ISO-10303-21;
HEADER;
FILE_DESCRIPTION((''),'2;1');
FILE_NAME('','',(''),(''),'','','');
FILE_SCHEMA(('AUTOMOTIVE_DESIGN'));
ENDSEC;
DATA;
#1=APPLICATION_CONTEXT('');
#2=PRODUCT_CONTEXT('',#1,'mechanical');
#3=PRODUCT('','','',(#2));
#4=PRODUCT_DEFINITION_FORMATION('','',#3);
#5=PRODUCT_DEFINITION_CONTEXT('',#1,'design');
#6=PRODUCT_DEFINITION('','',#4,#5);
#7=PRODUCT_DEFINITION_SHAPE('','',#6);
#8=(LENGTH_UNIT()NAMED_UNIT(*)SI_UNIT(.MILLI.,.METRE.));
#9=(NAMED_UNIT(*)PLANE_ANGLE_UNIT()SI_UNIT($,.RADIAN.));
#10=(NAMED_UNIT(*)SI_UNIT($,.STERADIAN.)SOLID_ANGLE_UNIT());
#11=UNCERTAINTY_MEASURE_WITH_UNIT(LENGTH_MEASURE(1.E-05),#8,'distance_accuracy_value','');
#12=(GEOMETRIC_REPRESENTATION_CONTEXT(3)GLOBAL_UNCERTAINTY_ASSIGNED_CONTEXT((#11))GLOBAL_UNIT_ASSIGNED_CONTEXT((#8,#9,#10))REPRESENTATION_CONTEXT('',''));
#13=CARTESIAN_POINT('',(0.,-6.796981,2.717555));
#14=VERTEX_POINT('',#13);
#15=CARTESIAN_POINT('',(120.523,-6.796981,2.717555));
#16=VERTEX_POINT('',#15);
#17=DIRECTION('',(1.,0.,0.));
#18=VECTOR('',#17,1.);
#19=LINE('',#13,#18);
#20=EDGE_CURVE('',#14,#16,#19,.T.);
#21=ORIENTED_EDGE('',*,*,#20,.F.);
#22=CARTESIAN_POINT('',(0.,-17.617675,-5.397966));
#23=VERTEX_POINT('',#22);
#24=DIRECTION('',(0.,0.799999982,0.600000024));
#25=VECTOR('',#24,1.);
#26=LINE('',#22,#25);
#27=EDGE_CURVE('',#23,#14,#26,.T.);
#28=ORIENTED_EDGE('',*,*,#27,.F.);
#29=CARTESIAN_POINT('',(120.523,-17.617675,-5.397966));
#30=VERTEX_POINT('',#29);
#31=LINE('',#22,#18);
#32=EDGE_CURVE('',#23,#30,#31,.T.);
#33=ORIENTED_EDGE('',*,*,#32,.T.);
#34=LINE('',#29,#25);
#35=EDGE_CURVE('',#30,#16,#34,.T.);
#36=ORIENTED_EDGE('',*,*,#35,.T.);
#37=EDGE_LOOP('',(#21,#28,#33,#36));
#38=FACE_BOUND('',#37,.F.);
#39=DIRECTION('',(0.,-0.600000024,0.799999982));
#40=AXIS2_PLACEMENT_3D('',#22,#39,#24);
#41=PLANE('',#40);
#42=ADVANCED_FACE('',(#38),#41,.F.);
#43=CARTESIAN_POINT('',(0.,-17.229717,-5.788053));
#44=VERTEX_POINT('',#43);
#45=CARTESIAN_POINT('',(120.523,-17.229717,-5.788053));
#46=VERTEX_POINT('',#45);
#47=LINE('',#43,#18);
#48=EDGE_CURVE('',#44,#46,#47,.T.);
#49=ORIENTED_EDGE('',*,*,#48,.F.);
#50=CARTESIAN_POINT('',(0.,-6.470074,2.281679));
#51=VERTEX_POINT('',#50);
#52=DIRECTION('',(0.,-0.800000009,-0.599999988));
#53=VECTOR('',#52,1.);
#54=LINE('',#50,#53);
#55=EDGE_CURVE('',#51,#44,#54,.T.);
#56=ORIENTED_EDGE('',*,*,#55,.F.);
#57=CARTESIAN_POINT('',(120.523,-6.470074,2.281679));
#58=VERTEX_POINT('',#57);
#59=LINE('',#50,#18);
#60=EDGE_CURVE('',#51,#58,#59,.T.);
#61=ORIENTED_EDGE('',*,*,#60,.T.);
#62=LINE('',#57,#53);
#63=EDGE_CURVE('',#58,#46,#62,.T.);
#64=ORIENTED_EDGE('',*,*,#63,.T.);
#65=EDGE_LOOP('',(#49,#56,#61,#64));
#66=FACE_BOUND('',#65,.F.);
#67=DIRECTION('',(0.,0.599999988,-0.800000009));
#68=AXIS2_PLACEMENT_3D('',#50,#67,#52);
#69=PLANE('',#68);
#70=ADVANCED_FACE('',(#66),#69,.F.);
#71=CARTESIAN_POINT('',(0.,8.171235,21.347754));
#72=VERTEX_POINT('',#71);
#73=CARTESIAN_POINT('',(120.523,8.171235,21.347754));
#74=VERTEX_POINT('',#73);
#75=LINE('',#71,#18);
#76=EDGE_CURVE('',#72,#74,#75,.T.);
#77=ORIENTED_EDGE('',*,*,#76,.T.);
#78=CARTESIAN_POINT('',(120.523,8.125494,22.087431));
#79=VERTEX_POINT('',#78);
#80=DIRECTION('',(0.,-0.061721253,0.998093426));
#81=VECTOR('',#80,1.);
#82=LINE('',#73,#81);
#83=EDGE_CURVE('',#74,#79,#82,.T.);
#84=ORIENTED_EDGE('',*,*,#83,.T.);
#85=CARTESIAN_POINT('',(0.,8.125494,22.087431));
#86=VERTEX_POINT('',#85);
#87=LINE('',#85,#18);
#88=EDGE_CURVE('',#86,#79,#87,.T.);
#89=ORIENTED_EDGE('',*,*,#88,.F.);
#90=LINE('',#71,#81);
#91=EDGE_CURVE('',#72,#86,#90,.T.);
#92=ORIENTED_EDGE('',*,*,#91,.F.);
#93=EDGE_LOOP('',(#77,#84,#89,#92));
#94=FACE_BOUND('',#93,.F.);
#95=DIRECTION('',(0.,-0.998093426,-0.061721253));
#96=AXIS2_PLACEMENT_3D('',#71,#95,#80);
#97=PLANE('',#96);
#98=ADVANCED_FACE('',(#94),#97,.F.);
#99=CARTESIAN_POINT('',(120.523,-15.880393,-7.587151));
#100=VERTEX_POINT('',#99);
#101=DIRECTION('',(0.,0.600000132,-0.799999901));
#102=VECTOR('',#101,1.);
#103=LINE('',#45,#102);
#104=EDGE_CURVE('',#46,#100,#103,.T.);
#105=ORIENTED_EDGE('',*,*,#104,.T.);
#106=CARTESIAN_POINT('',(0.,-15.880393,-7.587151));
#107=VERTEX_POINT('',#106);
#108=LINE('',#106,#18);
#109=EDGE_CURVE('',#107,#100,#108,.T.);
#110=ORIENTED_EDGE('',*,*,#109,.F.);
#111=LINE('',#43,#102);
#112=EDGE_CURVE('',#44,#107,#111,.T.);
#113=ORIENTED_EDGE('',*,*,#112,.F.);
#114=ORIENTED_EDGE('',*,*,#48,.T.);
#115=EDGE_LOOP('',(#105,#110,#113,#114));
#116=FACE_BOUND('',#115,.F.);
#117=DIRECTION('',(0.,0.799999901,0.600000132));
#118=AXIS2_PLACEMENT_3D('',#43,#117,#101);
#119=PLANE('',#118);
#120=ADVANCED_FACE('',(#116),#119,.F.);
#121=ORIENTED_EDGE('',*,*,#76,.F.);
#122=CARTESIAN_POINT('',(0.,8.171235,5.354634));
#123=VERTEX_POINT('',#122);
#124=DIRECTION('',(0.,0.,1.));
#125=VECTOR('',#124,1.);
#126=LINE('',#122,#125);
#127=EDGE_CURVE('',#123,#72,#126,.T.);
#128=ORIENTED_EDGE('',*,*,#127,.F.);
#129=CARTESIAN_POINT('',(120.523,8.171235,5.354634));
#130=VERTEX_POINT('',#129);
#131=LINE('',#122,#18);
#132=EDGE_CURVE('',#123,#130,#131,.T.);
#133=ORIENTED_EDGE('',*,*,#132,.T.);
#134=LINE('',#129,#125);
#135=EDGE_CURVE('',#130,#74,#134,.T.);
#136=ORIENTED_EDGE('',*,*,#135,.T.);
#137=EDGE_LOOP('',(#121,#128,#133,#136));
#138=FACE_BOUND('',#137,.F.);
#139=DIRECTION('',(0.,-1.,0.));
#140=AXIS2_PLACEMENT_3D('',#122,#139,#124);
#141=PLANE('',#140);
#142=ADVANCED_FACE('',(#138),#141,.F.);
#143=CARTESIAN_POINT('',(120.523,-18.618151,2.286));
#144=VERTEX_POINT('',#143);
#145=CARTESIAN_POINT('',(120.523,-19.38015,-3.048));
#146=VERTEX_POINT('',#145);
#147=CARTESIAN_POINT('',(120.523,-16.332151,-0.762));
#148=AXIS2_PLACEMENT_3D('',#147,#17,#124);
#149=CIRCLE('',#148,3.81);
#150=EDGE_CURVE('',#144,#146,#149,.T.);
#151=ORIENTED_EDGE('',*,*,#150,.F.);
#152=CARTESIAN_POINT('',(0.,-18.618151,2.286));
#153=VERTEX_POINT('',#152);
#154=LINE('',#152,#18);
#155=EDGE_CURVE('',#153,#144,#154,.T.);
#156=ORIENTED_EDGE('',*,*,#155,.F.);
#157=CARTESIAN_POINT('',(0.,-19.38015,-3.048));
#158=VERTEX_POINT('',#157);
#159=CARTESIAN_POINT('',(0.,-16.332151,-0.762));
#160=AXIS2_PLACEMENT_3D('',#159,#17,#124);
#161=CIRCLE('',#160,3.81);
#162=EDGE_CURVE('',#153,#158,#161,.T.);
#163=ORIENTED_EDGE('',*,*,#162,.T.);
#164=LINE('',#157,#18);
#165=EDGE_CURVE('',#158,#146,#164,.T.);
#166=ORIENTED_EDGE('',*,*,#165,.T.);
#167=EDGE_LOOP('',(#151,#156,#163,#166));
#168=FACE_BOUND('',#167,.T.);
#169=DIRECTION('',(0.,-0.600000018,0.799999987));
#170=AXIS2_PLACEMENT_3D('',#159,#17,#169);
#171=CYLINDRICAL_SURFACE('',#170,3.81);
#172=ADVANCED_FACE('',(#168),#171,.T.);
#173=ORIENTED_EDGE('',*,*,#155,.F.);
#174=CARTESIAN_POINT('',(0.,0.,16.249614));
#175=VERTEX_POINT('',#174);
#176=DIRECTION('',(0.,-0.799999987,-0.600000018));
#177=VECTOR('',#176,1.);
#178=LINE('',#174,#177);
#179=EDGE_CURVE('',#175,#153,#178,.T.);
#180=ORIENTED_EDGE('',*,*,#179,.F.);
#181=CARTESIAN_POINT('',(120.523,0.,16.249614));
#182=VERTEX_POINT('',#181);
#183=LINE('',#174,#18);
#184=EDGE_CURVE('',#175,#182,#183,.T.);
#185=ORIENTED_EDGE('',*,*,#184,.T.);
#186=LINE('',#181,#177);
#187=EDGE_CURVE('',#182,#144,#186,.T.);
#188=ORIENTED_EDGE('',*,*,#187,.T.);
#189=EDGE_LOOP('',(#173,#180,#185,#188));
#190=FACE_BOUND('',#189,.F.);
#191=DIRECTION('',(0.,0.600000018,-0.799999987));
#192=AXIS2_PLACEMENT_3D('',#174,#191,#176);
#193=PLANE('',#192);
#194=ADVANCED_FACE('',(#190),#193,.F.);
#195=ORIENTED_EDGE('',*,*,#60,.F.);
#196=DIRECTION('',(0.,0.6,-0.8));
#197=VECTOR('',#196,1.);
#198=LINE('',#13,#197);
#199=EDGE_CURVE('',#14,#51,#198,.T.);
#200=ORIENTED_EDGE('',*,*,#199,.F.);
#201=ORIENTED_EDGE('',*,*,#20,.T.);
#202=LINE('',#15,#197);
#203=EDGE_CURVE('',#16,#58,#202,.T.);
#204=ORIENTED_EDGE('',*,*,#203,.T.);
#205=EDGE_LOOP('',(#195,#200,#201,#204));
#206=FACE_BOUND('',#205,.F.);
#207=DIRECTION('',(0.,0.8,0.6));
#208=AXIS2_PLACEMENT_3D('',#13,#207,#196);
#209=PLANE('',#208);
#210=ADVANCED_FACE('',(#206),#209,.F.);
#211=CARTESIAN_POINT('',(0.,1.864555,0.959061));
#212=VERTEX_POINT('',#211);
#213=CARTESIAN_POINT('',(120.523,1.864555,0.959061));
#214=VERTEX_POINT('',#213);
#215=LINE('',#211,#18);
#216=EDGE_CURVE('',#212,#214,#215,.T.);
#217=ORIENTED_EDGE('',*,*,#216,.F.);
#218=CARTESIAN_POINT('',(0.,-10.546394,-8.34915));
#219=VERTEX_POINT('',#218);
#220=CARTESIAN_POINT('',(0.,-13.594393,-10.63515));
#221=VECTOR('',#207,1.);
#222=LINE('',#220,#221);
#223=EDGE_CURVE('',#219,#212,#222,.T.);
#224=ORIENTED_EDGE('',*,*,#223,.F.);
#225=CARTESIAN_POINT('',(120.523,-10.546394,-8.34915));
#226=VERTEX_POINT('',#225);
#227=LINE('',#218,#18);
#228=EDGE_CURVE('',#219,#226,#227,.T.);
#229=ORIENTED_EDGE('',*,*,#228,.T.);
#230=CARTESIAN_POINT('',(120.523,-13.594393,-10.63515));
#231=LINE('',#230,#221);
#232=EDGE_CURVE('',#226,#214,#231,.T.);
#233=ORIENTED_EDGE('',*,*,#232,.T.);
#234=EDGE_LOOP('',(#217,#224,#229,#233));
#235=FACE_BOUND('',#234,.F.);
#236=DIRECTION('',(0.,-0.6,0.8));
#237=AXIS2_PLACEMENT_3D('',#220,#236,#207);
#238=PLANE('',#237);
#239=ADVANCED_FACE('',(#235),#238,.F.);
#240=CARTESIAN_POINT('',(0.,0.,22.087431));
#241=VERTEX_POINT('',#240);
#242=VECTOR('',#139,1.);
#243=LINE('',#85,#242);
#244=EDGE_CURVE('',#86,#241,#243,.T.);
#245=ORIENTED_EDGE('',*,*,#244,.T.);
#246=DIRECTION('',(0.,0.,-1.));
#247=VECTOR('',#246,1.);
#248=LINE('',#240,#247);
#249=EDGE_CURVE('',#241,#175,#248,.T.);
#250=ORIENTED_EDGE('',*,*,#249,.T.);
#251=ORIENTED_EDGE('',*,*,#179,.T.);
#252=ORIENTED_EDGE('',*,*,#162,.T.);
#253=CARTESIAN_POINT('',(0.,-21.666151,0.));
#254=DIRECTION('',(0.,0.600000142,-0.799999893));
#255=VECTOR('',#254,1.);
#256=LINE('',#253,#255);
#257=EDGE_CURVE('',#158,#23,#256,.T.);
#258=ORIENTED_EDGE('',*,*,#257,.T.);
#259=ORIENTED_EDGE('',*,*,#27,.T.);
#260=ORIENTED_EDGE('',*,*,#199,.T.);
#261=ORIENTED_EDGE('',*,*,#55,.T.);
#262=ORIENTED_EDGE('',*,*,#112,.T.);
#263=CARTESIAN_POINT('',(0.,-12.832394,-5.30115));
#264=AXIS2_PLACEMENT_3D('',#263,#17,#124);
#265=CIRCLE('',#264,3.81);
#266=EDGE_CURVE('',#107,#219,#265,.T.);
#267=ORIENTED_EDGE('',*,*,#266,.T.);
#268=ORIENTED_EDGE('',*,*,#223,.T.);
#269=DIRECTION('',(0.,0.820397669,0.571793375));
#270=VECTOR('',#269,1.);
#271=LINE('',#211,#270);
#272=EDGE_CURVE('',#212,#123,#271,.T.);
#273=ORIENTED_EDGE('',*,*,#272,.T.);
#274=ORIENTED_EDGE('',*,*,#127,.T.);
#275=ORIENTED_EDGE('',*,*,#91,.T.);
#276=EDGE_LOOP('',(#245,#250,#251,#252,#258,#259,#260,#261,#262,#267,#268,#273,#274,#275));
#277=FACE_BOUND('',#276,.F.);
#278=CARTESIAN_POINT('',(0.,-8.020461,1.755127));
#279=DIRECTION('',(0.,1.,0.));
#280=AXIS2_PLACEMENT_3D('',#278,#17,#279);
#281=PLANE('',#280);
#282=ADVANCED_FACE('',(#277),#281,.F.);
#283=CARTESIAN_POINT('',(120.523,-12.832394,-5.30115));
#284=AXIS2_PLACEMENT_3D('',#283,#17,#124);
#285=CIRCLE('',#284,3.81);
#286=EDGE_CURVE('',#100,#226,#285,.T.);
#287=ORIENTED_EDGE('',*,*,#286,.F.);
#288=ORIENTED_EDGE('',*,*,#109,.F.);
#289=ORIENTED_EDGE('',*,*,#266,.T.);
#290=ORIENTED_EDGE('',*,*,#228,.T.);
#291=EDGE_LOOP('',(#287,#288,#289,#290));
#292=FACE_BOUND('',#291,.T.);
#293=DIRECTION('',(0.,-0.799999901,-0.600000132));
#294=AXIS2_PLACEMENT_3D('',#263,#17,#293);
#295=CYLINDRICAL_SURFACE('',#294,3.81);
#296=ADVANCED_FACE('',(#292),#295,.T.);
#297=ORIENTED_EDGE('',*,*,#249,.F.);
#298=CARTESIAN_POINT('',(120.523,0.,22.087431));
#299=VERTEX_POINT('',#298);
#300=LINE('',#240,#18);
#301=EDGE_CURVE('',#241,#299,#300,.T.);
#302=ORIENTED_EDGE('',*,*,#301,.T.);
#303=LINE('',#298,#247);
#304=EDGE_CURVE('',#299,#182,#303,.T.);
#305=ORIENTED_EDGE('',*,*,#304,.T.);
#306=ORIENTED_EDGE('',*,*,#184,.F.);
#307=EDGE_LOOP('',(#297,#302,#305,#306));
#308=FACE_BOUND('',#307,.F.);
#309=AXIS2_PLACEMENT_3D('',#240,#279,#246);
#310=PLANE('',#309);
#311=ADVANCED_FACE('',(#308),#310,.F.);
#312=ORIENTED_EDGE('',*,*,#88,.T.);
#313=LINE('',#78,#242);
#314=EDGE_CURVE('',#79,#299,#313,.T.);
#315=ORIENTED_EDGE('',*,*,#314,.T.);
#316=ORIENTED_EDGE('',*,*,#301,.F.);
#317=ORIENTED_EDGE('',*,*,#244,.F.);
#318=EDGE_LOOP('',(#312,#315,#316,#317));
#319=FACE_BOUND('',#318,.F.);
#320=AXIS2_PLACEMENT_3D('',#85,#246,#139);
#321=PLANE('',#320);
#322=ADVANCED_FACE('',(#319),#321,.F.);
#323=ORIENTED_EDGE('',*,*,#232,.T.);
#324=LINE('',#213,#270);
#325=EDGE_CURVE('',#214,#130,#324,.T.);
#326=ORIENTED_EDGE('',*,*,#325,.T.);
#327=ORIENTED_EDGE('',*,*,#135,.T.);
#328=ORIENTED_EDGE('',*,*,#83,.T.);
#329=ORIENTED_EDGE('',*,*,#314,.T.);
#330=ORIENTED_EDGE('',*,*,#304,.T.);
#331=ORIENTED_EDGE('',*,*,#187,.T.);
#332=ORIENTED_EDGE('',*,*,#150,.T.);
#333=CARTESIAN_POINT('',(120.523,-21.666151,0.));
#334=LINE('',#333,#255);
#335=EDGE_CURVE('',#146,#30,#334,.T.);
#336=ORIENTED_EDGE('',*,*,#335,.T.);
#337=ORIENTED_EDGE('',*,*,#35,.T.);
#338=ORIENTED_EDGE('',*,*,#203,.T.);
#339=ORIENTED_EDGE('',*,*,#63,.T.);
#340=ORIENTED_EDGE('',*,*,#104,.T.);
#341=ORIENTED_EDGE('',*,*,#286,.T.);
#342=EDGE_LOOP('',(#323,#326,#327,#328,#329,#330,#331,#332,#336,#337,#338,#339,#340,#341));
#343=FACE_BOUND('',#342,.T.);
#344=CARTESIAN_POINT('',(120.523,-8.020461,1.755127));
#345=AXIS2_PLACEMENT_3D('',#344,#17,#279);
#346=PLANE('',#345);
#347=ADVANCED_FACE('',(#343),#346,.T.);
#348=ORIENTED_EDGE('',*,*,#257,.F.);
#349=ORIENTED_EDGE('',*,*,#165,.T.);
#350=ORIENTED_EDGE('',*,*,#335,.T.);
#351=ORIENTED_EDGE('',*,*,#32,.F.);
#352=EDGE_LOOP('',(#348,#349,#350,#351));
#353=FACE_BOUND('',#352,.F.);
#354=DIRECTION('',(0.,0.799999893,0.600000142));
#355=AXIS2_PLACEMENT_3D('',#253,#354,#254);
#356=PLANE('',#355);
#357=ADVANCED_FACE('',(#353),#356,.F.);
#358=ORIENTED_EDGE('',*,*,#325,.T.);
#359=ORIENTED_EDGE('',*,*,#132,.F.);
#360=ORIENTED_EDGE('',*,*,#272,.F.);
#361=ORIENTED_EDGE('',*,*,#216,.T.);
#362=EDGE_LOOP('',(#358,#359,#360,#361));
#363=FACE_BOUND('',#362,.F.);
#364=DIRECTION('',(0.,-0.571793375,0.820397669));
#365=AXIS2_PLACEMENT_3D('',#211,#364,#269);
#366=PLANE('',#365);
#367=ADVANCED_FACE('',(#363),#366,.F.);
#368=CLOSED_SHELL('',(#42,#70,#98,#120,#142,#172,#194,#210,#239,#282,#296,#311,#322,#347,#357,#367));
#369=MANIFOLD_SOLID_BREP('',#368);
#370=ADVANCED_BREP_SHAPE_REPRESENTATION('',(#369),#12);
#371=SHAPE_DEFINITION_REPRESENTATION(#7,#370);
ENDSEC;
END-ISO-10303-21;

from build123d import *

# Parameters (mm, degrees)
F1_DEPTH = 120.523
F2_R     = 3.81


with BuildPart() as f1:
    # F0 (on Right) → F1 (new body)
    with BuildSketch(Plane.YZ):
        Polygon((8.171235, 5.354634), (0, 16.249614), (-21.666151, 0), (-17.617675, -5.397966), (-6.796981, 2.717555), (-6.470074, 2.281679), (-17.229717, -5.788053), (-13.594393, -10.63515), (1.864555, 0.959061), align=None)
        Polygon((0, 22.087431), (0, 16.249614), (8.171235, 5.354634), (8.171235, 21.347754), (8.125494, 22.087431), align=None)
    extrude(amount=F1_DEPTH)

    # F2
    f2_edges = [f1.edges().sort_by_distance(p)[0] for p in [
        (60.2615, -21.666151, 0),
        (60.2615, -13.594393, -10.63515),
    ]]
    fillet(f2_edges, radius=F2_R)


solid = f1.part
